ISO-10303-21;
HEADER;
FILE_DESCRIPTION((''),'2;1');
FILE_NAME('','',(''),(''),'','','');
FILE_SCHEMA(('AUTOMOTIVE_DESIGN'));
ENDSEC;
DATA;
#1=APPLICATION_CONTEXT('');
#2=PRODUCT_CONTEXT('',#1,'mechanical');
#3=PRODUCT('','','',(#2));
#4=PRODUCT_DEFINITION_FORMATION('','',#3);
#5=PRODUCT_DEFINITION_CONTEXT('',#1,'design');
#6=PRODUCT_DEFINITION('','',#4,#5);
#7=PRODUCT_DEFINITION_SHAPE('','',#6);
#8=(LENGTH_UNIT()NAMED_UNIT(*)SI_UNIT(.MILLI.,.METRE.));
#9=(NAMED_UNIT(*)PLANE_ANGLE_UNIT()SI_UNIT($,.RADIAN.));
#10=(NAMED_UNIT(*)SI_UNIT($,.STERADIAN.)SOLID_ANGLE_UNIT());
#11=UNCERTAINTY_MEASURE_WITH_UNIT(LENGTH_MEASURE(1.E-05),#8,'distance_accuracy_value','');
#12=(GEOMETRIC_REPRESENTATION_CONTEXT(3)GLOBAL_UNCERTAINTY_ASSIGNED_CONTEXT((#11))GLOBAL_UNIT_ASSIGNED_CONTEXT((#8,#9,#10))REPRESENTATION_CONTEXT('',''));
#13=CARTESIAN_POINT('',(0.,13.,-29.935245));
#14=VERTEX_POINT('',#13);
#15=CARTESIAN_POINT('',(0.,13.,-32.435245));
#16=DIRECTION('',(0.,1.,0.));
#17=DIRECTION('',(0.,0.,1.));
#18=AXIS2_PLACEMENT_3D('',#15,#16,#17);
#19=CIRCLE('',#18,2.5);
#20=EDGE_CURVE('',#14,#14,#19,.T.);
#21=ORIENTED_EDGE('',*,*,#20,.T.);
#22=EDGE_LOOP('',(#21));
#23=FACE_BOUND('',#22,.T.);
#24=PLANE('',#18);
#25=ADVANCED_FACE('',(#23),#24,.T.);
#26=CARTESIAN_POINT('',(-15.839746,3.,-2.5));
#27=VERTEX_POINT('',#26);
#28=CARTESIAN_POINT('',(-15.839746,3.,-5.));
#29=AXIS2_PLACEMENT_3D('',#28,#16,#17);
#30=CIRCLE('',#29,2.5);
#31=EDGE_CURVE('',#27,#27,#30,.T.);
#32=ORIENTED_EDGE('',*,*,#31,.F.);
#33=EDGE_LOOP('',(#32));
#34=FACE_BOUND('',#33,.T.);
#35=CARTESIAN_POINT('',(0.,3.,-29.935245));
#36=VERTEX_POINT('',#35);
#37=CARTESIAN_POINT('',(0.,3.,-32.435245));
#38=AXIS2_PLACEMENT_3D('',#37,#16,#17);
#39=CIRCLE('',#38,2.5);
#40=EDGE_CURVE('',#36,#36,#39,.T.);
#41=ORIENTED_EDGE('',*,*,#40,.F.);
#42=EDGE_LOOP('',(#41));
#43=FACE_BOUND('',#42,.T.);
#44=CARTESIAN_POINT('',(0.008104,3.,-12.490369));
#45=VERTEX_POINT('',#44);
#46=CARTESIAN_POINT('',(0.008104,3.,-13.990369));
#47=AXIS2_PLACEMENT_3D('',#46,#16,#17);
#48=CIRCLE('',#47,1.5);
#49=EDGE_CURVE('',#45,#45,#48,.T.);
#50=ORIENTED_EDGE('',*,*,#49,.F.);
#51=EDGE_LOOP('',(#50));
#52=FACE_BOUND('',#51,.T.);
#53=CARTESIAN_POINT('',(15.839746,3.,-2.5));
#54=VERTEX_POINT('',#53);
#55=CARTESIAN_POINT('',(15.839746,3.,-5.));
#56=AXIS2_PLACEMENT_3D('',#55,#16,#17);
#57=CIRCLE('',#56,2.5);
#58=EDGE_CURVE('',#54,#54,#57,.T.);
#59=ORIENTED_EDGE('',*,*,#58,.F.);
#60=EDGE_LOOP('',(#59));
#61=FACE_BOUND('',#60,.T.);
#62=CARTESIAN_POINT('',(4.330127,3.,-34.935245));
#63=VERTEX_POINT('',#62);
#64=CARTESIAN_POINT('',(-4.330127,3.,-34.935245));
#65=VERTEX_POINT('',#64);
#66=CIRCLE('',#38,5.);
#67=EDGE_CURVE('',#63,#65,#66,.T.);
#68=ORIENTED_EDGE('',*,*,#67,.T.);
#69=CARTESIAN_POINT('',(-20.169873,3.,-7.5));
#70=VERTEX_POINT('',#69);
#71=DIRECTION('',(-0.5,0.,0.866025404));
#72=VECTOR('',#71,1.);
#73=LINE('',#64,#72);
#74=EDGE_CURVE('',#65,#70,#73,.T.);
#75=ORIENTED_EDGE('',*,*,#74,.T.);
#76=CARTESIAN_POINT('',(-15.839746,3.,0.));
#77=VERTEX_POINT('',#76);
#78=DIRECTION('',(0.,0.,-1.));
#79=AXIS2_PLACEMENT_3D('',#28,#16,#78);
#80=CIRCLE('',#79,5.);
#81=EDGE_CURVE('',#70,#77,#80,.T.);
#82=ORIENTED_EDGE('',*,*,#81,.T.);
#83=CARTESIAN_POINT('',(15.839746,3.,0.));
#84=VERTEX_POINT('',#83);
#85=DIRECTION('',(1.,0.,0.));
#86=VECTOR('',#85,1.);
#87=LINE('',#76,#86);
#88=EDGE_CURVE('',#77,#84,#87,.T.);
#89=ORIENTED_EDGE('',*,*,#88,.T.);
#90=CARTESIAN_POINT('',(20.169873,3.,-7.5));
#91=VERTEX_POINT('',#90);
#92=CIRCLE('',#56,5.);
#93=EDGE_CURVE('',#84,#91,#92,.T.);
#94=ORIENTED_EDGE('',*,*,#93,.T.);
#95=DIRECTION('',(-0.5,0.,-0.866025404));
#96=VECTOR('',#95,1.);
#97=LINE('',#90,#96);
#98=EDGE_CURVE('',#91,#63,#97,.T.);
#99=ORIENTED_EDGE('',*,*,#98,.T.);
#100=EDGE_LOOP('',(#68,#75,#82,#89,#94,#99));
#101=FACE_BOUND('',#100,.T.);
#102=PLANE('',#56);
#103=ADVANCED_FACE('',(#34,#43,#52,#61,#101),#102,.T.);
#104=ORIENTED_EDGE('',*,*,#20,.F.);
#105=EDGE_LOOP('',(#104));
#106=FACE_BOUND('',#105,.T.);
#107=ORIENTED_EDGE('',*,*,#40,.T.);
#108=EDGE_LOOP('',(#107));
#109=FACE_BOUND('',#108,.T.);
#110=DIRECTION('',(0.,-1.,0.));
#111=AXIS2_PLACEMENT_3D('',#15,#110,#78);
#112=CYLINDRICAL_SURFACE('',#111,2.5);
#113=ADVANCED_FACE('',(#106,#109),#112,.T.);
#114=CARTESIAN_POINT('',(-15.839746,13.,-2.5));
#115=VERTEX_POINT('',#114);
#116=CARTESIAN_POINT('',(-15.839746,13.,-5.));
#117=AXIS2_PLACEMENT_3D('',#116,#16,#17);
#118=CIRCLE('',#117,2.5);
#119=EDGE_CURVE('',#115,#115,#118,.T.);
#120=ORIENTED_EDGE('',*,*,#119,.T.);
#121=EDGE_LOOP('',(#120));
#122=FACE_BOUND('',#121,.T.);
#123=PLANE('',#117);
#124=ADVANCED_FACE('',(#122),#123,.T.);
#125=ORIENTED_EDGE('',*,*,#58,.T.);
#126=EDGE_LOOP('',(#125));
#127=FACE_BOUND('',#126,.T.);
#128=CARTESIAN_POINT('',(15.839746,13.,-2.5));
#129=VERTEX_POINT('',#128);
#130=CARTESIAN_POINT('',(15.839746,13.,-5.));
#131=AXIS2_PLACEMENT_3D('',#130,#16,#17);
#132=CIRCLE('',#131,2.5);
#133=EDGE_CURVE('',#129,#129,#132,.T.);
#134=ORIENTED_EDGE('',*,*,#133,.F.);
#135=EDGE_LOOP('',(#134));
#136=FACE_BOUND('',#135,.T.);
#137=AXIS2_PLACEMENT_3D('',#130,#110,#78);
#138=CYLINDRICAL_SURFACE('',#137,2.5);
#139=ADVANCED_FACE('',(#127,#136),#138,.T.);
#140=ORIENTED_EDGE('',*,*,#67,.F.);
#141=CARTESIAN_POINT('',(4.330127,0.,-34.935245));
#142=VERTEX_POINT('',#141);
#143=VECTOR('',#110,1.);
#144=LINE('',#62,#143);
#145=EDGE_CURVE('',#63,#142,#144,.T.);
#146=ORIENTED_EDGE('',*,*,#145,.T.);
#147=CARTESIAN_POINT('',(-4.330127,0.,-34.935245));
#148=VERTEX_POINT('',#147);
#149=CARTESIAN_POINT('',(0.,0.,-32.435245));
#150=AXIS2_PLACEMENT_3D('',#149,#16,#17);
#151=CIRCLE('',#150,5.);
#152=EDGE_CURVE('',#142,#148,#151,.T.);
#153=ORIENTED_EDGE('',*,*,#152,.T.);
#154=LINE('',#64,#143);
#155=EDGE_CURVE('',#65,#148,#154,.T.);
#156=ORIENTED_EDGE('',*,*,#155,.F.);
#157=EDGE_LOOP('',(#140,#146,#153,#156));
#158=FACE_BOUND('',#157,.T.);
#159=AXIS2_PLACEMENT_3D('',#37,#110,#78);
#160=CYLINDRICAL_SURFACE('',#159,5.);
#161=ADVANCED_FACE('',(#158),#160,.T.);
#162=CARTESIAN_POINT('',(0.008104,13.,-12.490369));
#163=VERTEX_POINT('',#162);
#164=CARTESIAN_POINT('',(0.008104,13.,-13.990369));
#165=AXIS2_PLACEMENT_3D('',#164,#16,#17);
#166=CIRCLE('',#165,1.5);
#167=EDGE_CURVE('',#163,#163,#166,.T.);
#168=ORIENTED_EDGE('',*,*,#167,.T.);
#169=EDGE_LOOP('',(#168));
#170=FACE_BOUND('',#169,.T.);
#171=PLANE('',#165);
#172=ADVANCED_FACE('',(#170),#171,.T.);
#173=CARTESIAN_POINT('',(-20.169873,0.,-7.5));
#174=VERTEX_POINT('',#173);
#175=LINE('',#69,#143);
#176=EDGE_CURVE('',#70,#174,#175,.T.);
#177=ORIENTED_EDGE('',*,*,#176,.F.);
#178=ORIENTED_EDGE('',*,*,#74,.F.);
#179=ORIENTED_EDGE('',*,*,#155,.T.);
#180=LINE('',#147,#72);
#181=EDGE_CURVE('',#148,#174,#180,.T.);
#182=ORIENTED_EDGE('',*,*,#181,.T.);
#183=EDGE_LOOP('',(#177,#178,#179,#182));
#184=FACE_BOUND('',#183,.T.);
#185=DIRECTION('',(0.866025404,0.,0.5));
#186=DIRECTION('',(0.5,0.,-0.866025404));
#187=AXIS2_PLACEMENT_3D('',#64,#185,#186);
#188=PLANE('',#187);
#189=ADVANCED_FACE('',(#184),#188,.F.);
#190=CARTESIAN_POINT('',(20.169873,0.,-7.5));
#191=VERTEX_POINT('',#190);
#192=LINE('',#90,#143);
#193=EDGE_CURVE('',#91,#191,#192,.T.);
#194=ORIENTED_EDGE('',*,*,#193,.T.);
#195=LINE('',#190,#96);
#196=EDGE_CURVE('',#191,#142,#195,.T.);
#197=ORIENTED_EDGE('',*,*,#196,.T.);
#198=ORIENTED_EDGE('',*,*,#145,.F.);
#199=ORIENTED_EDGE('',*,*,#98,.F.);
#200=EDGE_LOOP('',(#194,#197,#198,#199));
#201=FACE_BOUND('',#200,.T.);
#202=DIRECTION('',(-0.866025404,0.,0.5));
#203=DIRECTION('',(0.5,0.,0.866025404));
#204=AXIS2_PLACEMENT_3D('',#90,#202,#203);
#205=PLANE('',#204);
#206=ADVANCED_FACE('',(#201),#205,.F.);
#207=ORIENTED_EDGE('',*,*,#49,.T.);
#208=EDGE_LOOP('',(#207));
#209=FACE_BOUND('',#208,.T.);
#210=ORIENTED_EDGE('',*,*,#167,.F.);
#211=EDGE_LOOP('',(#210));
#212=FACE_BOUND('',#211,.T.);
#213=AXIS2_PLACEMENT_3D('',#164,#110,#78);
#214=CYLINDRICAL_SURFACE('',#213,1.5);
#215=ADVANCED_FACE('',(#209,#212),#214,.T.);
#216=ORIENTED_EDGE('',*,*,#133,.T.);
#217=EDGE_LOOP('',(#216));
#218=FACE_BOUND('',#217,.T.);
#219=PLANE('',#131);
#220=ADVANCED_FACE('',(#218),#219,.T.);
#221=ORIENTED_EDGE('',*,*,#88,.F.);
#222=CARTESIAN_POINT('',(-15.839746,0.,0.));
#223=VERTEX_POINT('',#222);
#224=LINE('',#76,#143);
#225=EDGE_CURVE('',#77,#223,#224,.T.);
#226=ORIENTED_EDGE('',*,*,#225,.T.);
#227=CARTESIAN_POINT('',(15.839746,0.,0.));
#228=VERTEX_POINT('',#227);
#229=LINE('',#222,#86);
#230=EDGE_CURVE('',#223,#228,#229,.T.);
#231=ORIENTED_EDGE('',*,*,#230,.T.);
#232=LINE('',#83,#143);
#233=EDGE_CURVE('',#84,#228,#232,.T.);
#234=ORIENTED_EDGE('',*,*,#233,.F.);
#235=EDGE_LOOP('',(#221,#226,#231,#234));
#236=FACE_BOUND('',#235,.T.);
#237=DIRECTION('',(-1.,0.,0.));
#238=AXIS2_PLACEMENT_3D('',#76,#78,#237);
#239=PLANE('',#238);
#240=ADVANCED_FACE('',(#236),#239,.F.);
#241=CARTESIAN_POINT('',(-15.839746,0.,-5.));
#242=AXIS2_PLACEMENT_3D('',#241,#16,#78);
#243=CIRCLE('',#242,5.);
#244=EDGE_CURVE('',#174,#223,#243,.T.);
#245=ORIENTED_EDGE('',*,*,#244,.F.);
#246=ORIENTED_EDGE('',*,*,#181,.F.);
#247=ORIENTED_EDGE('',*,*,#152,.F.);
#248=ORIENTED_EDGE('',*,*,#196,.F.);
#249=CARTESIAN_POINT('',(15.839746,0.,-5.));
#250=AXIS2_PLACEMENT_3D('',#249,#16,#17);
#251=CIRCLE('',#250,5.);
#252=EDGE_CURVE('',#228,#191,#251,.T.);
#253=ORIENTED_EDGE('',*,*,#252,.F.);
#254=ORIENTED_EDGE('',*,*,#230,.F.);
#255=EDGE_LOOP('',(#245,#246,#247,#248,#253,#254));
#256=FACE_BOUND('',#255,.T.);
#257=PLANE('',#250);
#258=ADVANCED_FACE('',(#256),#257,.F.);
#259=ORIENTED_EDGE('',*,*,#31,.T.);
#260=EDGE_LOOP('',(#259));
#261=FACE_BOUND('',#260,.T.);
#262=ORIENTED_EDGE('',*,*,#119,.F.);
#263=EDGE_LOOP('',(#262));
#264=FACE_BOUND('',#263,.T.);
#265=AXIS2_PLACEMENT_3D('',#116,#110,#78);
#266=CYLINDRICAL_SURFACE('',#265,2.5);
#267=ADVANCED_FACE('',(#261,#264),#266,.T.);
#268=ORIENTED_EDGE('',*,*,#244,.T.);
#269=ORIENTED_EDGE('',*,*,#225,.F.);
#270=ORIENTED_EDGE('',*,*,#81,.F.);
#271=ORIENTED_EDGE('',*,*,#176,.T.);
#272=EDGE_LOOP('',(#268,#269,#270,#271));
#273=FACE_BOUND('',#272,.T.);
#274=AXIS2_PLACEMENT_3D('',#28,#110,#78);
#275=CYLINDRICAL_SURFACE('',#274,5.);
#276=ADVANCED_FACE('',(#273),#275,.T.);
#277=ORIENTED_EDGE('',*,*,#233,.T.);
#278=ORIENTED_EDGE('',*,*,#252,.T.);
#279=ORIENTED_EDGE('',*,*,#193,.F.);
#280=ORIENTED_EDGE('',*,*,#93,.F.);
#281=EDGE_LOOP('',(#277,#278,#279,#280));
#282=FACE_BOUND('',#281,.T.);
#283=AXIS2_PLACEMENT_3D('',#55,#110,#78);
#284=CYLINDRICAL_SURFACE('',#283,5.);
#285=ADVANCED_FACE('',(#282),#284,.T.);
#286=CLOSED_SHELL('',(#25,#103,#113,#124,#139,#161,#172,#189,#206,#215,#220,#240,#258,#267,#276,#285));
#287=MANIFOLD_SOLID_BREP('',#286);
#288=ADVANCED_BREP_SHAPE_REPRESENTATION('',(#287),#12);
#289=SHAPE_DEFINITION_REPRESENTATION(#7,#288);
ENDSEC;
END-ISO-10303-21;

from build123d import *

# Parameters (mm, degrees)
SALIENTE_EXTRUIR1_DEPTH = 3
CROQUIS2_R              = 2.5
SALIENTE_EXTRUIR2_DEPTH = 10
CROQUIS3_R              = 1.5
SALIENTE_EXTRUIR3_DEPTH = 10


with BuildPart() as part:
    # Croquis1 → Saliente-Extruir1 (new body)
    with BuildSketch(Plane(origin=(0, 0, 0), x_dir=(1, 0, 0), z_dir=(0, 1, 0))):
        with BuildLine():
            Line((-15.839745962, 0), (15.839745962, 0))
            ThreePointArc((15.839745962, 0), (20.169872981, 2.5), (20.169872981, 7.5))
            Line((20.169872981, 7.5), (4.330127019, 34.935244785))
            ThreePointArc((4.330127019, 34.935244785), (0, 37.435244785), (-4.330127019, 34.935244785))
            Line((-4.330127019, 34.935244785), (-20.169872981, 7.5))
            ThreePointArc((-20.169872981, 7.5), (-20.169872981, 2.5), (-15.839745962, 0))
        make_face()
    extrude(amount=SALIENTE_EXTRUIR1_DEPTH)

    # Croquis2 → Saliente-Extruir2 (add)
    with BuildSketch(Plane(origin=(0, 3, 0), x_dir=(1, 0, 0), z_dir=(0, 1, 0))):
        with Locations(Location((0, 32.435244785, 0), (0, 0, 270))):
            Circle(CROQUIS2_R)
        with Locations(Location((15.839745962, 5, 0), (0, 0, 270))):
            Circle(CROQUIS2_R)
        with Locations(Location((-15.839745962, 5, 0), (0, 0, 270))):
            Circle(CROQUIS2_R)
    extrude(amount=SALIENTE_EXTRUIR2_DEPTH)

    # Croquis3 → Saliente-Extruir3 (add)
    with BuildSketch(Plane(origin=(0, 3, 0), x_dir=(1, 0, 0), z_dir=(0, 1, 0))):
        with Locations(Location((0.008103959, 13.990369441, 0), (0, 0, 270))):
            Circle(CROQUIS3_R)
    extrude(amount=SALIENTE_EXTRUIR3_DEPTH)


solid = part.part
